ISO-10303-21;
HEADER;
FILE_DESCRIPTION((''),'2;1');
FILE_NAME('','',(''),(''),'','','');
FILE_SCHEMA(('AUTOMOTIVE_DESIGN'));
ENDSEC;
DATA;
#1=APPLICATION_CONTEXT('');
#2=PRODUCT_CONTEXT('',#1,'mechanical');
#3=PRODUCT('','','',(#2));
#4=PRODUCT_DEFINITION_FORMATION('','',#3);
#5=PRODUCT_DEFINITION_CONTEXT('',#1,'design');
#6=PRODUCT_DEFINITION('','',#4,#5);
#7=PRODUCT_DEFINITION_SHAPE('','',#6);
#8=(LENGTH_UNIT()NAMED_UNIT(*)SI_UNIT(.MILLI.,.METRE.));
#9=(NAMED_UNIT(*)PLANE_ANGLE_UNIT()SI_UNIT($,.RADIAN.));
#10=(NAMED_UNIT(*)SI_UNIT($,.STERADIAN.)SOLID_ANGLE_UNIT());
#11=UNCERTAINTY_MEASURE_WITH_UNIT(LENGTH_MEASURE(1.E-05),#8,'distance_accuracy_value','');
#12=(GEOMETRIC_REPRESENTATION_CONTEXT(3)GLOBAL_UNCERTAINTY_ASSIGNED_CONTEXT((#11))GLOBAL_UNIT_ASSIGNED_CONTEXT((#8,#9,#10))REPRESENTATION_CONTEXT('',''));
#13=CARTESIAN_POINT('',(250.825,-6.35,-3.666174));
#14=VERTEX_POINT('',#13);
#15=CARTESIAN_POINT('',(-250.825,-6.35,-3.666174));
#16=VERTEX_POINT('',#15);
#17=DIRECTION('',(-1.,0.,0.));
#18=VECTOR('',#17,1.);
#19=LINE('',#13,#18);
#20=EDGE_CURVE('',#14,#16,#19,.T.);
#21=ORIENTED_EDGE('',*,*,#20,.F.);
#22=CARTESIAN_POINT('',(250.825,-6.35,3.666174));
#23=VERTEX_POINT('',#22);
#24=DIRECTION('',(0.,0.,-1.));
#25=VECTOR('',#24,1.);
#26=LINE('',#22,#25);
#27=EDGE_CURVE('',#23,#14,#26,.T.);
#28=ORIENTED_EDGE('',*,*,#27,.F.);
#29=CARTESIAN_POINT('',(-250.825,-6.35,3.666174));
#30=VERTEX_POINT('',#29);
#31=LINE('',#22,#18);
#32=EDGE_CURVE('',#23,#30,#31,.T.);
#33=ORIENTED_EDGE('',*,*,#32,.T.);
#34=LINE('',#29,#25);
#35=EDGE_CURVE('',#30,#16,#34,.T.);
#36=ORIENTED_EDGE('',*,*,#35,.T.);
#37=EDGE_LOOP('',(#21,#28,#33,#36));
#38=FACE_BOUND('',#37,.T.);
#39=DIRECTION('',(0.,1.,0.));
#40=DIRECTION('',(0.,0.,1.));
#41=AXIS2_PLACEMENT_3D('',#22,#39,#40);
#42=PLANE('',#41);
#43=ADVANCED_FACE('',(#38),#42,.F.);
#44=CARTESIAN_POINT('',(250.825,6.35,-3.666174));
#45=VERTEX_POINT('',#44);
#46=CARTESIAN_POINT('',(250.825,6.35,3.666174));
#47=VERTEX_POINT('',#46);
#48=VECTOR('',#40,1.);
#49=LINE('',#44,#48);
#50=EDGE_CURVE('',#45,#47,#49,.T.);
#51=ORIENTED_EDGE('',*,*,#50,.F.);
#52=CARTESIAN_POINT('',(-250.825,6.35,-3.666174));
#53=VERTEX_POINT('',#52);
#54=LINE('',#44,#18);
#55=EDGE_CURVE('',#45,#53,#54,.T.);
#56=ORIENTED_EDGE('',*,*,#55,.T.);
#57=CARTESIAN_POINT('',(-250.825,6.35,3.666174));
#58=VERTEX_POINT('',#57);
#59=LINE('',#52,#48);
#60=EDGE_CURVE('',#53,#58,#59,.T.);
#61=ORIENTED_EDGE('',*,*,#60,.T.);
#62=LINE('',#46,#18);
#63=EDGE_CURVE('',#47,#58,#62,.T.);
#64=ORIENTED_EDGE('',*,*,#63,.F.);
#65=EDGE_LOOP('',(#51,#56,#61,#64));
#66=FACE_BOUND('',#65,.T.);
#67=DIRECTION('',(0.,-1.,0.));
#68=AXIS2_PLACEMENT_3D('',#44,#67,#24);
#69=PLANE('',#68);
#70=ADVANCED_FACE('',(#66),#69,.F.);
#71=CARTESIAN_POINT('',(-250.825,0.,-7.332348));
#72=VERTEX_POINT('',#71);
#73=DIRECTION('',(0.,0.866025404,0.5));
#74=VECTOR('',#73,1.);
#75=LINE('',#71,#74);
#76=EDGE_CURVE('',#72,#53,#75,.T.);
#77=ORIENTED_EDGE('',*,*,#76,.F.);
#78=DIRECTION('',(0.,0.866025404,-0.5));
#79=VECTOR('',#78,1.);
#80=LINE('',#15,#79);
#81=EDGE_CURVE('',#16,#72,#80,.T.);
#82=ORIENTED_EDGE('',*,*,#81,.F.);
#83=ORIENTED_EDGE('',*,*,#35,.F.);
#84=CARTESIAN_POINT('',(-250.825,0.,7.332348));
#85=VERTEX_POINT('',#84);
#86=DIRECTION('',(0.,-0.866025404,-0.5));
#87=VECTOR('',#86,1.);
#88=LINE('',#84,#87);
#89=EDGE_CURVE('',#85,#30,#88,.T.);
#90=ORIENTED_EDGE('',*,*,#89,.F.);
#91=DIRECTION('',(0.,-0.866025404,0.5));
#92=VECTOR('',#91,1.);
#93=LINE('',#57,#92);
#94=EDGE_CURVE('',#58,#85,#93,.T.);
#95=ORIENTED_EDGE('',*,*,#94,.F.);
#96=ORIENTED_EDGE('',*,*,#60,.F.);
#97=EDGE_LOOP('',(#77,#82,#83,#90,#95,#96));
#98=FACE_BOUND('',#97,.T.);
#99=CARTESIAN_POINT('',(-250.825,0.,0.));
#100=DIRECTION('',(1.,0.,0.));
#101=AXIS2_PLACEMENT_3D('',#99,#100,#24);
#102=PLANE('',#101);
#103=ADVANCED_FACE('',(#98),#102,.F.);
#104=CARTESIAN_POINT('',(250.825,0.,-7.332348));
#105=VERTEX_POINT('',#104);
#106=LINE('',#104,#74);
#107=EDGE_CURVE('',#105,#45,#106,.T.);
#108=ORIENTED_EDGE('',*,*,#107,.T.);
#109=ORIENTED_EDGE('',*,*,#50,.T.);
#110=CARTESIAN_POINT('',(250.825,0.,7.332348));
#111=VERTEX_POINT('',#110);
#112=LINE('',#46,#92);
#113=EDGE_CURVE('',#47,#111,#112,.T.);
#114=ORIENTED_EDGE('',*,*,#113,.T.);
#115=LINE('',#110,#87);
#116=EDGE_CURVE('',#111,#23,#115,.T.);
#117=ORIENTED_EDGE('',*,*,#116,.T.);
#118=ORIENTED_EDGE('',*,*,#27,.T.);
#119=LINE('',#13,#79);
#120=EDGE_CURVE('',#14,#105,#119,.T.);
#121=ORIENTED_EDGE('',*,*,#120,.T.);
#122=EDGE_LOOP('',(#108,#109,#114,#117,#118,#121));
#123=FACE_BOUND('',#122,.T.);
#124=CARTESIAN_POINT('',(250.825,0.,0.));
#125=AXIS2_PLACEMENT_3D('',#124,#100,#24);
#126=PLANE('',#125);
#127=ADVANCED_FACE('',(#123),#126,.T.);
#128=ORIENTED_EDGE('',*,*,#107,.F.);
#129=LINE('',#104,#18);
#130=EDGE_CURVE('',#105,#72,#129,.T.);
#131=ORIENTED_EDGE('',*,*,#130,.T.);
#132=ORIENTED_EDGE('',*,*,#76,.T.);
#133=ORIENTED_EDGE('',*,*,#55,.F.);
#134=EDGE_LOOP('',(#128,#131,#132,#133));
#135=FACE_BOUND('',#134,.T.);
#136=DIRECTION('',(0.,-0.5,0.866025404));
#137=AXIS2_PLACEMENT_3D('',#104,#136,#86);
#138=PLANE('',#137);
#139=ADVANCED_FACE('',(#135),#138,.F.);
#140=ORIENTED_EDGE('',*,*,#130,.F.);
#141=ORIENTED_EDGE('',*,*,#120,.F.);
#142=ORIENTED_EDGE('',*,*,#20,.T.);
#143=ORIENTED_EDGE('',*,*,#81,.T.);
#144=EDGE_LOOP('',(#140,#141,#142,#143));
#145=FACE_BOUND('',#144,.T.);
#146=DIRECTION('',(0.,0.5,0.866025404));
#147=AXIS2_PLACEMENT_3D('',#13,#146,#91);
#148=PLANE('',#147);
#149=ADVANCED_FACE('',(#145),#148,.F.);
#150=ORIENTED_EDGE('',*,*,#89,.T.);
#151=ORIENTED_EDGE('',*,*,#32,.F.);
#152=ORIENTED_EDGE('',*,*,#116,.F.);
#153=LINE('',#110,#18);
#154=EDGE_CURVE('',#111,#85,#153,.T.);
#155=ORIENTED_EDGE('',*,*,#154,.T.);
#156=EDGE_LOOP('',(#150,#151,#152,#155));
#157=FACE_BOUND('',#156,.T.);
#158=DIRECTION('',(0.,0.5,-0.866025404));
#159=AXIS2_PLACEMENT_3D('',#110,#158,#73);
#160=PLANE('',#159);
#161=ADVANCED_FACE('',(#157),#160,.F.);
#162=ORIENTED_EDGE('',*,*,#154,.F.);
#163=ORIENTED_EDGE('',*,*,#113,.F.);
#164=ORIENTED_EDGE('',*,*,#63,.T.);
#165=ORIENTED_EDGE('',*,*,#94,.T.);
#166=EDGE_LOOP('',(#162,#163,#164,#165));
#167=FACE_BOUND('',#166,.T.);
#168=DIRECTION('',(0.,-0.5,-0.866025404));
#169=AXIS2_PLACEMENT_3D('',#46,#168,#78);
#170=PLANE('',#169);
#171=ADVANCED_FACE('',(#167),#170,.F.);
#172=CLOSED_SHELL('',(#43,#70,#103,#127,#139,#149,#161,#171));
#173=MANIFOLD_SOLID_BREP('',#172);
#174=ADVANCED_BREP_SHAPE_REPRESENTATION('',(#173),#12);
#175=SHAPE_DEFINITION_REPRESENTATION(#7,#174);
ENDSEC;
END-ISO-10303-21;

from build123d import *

# Parameters (mm, degrees)
BOSS_EXTRUDE1_DEPTH = 250.825


with BuildPart() as part:
    # Sketch1 → Boss-Extrude1 (new, symmetric)
    with BuildSketch(Plane(origin=(0, 0, 0), x_dir=(0, 0, -1), z_dir=(1, 0, 0))):
        Polygon((-3.666174209, 6.35), (-7.332348419, 0), (-3.666174209, -6.35), (3.666174209, -6.35), (7.332348419, 0), (3.666174209, 6.35), align=None)
    extrude(amount=BOSS_EXTRUDE1_DEPTH, both=True)


solid = part.part
